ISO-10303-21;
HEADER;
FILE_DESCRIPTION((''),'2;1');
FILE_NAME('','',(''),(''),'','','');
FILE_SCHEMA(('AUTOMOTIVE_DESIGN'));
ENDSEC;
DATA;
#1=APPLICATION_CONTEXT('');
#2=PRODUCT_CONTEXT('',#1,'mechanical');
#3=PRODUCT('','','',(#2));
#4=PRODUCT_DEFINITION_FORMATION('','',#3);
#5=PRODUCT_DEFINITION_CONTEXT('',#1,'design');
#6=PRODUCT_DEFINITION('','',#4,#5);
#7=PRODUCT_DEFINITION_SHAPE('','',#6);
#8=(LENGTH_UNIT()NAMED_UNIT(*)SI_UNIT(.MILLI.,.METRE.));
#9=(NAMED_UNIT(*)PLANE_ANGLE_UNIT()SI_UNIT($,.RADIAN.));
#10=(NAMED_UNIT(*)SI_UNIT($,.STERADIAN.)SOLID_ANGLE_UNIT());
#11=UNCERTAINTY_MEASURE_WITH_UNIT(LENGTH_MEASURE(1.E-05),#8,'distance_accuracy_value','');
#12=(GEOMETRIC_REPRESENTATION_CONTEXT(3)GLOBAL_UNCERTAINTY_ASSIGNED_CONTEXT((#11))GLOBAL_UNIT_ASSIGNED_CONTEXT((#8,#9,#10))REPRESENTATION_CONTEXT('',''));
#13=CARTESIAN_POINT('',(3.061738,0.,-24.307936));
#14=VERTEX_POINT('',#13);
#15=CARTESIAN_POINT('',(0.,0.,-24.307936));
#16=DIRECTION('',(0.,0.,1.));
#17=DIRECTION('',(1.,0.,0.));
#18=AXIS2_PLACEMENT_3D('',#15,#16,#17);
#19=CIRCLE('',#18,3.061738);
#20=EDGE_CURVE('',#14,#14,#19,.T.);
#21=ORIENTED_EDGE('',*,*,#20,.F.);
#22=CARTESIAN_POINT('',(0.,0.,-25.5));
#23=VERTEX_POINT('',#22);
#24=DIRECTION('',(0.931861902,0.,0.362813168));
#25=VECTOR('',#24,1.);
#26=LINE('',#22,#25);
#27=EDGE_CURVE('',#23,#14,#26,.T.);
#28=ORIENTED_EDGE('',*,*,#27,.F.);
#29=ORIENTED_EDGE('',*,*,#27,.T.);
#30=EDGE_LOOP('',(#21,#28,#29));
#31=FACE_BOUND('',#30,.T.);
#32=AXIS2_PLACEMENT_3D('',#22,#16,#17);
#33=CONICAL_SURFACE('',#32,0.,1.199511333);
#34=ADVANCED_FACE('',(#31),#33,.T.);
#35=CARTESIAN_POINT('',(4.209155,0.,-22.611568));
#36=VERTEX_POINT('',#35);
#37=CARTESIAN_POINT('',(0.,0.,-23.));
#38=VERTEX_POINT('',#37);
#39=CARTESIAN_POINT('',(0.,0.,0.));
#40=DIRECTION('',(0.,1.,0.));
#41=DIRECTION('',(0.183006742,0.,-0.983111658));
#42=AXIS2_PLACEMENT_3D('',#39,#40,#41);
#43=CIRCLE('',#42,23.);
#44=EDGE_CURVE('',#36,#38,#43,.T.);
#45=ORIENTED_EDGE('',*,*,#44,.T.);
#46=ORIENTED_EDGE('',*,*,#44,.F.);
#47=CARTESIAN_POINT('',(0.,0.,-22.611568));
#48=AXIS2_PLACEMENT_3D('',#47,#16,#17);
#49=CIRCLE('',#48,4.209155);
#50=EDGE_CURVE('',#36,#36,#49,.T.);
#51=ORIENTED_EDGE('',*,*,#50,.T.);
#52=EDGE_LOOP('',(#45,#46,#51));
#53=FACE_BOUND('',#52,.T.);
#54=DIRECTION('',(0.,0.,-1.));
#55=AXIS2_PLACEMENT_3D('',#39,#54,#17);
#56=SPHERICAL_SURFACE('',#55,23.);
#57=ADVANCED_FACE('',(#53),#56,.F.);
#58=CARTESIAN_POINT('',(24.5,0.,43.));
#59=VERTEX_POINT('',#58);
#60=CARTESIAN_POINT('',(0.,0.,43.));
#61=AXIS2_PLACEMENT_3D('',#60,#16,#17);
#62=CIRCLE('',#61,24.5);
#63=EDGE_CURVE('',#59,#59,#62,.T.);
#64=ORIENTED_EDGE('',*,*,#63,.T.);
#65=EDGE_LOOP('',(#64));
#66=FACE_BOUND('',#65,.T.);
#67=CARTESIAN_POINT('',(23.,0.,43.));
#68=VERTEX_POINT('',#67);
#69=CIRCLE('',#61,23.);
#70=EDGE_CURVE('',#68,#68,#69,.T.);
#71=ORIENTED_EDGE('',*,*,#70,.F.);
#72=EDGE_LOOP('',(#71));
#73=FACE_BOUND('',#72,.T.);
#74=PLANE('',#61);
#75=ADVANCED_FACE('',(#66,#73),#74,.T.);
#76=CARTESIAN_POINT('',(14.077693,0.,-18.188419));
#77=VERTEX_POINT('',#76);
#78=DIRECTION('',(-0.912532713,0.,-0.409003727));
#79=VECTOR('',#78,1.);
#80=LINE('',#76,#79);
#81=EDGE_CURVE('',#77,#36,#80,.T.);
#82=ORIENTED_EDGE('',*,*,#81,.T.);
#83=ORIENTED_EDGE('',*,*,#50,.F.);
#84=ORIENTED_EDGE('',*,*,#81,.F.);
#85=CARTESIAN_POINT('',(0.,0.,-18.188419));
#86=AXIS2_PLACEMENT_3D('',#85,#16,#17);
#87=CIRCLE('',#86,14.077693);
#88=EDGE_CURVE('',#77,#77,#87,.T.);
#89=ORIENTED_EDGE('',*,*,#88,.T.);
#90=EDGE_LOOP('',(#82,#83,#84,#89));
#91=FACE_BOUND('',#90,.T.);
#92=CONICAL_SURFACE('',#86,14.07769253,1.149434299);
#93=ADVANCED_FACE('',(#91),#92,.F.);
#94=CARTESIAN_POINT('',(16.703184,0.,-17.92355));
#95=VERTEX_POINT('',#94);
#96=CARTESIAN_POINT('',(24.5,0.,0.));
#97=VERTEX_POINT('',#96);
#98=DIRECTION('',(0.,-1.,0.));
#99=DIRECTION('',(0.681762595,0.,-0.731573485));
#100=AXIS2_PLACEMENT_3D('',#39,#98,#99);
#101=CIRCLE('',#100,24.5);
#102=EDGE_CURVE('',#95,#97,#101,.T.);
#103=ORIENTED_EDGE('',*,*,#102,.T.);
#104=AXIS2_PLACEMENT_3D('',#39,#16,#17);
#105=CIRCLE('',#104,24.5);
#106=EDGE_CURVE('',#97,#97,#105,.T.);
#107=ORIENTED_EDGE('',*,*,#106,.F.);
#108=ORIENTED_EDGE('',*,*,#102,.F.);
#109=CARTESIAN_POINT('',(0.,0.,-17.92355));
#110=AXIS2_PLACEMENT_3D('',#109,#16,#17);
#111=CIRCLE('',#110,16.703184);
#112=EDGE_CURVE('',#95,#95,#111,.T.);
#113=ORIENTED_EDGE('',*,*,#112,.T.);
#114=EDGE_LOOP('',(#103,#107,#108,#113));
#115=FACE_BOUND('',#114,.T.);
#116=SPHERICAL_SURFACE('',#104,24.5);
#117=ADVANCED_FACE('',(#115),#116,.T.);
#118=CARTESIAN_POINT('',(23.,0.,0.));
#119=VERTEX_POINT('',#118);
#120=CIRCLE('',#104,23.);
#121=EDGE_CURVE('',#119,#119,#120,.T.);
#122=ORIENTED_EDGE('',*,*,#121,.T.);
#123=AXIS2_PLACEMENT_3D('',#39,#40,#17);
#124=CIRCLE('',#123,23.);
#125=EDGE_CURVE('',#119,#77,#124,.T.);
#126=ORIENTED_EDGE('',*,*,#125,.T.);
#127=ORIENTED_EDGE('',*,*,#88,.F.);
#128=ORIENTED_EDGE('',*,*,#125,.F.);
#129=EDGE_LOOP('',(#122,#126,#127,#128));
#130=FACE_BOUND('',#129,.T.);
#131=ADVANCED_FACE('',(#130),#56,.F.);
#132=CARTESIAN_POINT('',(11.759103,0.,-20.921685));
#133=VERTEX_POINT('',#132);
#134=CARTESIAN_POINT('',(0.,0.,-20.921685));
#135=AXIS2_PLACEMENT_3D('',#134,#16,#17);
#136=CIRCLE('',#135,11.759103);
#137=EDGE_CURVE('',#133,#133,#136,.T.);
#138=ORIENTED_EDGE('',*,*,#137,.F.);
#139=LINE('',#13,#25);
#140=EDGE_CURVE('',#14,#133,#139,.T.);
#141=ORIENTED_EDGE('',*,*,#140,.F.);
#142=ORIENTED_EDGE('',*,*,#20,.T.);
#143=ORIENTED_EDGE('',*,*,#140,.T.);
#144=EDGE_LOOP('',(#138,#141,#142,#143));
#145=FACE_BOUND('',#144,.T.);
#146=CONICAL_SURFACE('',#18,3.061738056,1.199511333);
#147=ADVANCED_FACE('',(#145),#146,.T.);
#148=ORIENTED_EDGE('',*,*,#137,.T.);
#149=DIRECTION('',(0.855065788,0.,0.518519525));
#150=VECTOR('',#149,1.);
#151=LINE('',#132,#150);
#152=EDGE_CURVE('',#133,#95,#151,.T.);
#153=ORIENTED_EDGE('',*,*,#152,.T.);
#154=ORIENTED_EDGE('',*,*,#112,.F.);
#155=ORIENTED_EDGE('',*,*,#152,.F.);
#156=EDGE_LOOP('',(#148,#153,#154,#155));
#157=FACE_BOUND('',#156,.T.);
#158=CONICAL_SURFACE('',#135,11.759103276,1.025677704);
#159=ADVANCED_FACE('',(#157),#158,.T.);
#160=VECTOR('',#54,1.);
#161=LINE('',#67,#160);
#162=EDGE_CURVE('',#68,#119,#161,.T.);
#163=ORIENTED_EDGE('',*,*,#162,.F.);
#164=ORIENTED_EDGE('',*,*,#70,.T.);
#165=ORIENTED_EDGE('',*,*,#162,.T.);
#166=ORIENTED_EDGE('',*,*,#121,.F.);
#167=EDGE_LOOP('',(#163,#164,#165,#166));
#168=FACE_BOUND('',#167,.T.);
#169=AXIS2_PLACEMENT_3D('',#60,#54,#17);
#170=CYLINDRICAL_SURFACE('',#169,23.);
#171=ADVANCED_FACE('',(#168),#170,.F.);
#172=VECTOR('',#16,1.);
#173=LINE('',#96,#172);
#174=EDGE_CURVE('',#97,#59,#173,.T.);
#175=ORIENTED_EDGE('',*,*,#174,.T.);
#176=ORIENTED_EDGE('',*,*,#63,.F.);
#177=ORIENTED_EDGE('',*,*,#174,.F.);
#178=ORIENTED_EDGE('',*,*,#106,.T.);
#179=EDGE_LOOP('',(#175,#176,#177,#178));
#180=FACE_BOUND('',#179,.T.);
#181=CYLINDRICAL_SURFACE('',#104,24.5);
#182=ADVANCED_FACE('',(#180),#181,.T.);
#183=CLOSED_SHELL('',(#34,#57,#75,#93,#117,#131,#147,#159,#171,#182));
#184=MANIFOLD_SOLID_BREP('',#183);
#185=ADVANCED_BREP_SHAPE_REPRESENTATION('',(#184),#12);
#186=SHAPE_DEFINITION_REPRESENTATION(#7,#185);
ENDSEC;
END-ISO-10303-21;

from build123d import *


with BuildPart() as f1:
    # F0 (on Front) → F1 (revolve)
    with BuildSketch(Plane.XZ):
        with BuildLine():
            Line((14.0776925304, -18.1884186509), (4.2091550719, -22.6115681363))
            ThreePointArc((4.2091550719, -22.6115681363), (9.407085715, -20.9882523891), (14.0776925304, -18.1884186509))
        make_face()
        with BuildLine():
            ThreePointArc((4.2091550719, -22.6115681363), (2.1135199154, -22.9026861649), (0, -23))
            Line((0, -23), (0, -24.5))
            ThreePointArc((0, -24.5), (1.5338781277, -24.4519368944), (3.0617380556, -24.3079361542))
            Line((3.0617380556, -24.3079361542), (11.7591032758, -20.9216848016))
            Line((11.7591032758, -20.9216848016), (16.7031835756, -17.923550386))
            ThreePointArc((16.7031835756, -17.923550386), (22.4663971033, -9.7729729969), (24.5, 0))
            Line((24.5, 0), (24.5, 43))
            Line((24.5, 43), (23, 43))
            Line((23, 43), (23, 0))
            ThreePointArc((23, 0), (20.6492969396, -10.1294884323), (14.0776925304, -18.1884186509))
            ThreePointArc((14.0776925304, -18.1884186509), (9.407085715, -20.9882523891), (4.2091550719, -22.6115681363))
        make_face()
        with BuildLine():
            ThreePointArc((3.0617380556, -24.3079361542), (1.5338781277, -24.4519368944), (0, -24.5))
            Line((0, -24.5), (0, -25.5))
            Line((0, -25.5), (3.0617380556, -24.3079361542))
        make_face()
    revolve(axis=Axis((0, 0, 24), (0, 0, 1)))


solid = f1.part
